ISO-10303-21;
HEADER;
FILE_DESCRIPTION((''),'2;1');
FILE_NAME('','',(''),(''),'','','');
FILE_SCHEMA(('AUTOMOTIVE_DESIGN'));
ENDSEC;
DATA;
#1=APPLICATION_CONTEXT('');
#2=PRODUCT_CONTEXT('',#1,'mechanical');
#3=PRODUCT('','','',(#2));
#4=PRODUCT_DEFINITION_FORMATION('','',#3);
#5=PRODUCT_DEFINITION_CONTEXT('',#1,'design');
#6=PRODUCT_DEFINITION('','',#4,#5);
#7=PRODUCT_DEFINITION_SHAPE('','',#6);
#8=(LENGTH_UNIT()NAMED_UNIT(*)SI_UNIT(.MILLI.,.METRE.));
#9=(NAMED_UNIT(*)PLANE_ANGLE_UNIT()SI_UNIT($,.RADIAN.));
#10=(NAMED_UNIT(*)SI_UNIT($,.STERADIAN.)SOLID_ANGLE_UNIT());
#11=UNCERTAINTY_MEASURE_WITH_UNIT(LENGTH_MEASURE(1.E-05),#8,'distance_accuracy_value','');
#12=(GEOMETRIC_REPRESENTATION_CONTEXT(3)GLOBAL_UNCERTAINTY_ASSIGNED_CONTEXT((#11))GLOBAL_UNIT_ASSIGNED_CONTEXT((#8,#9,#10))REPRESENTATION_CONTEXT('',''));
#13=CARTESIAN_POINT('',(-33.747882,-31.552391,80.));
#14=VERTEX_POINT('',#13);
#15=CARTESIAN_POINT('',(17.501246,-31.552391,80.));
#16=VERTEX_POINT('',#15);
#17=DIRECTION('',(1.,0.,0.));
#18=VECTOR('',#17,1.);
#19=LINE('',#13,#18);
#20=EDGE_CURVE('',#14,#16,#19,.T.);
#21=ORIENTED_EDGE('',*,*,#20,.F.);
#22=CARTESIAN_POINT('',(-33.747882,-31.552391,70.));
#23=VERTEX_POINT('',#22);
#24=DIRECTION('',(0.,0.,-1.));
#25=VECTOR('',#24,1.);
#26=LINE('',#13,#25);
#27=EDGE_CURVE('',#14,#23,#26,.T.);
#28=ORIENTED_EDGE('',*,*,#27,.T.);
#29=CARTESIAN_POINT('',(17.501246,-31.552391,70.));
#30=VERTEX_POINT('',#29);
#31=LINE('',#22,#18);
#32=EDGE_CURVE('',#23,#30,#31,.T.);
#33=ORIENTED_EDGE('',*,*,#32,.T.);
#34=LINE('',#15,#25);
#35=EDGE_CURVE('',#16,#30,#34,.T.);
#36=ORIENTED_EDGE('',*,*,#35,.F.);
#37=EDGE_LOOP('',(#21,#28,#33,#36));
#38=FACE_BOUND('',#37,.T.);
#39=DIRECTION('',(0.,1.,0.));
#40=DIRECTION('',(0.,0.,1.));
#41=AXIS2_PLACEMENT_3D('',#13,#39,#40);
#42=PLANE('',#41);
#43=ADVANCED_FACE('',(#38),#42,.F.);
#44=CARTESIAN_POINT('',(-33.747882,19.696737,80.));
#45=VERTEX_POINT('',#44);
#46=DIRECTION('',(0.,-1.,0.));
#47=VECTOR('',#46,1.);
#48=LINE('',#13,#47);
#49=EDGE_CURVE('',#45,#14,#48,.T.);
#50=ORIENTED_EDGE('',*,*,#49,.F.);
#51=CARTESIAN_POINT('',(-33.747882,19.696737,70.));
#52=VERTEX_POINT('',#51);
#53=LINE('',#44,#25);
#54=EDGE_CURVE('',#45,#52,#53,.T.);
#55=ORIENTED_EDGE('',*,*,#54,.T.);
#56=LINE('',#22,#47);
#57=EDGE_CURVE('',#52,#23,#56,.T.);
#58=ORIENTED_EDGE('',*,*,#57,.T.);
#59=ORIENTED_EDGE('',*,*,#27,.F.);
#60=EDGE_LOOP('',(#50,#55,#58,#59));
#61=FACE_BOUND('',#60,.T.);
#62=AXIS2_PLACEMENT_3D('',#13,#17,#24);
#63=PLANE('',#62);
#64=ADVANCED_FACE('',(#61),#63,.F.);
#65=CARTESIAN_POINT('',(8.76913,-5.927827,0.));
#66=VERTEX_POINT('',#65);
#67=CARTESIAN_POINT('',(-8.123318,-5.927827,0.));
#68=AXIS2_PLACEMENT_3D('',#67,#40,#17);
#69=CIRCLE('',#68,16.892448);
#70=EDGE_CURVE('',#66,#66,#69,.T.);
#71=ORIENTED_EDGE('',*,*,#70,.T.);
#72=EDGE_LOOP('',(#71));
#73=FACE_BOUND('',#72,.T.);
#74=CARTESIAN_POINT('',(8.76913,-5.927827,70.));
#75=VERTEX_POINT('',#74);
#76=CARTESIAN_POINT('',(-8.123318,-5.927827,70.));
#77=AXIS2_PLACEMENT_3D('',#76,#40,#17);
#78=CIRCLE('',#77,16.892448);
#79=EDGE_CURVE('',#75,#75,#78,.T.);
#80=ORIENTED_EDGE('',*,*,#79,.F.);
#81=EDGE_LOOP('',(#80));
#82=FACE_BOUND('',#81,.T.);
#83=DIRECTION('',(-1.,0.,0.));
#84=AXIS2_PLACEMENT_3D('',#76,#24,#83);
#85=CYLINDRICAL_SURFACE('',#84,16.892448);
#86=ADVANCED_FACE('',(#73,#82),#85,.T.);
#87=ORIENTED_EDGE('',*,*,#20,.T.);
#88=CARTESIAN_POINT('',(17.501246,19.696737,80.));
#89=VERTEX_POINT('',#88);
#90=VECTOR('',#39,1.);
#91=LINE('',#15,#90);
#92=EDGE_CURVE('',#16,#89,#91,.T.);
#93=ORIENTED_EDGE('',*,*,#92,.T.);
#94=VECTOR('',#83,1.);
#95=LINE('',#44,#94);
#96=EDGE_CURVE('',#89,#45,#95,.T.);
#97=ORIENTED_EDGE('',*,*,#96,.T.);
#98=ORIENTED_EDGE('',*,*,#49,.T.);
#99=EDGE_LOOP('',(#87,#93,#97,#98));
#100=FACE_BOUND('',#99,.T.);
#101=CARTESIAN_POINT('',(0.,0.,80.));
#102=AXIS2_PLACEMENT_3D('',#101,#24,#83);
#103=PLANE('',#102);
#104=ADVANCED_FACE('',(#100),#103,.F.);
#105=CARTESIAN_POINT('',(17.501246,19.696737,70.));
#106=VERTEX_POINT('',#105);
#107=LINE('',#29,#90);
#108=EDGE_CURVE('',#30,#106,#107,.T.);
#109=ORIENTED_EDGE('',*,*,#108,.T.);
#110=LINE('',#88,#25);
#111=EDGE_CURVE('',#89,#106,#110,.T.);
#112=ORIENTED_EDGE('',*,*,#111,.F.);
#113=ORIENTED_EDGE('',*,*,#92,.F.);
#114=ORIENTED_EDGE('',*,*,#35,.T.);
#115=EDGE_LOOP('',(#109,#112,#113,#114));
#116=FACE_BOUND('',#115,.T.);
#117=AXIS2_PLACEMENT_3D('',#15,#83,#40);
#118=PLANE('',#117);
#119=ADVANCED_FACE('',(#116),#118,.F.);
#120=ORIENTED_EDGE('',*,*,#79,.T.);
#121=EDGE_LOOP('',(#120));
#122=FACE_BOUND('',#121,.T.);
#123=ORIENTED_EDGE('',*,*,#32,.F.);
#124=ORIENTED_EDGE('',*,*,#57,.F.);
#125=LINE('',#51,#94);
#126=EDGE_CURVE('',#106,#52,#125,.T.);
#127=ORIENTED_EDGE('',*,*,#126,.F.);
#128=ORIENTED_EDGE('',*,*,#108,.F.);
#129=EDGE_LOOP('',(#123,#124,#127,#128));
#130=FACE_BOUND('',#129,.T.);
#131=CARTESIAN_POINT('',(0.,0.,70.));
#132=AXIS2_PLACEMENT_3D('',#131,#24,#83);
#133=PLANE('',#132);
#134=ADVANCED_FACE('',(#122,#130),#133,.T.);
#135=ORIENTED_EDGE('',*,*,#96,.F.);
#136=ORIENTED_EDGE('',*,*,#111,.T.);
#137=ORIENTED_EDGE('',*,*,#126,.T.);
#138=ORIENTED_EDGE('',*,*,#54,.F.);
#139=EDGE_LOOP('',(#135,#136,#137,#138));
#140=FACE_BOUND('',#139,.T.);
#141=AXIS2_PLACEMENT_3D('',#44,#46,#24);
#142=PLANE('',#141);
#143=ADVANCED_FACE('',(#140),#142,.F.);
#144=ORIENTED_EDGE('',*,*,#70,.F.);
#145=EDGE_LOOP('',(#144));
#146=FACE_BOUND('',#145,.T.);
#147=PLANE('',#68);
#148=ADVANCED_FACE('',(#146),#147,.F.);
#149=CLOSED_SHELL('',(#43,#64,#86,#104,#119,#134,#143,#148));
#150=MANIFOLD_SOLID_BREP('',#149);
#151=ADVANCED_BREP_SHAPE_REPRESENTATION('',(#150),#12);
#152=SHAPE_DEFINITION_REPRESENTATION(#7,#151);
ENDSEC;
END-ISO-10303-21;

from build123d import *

# Parameters (mm, degrees)
SKETCH1_R           = 16.892448346
BOSS_EXTRUDE1_DEPTH = 70
SKETCH2_W           = 51.249127752
SKETCH2_H           = 51.249127751
BOSS_EXTRUDE2_DEPTH = 10


with BuildPart() as part:
    # Sketch1 → Boss-Extrude1 (new body)
    with BuildSketch(Plane.XY):
        with Locations((-8.123318292, -5.927826862)):
            Circle(SKETCH1_R)
    extrude(amount=BOSS_EXTRUDE1_DEPTH)

    # Sketch2 → Boss-Extrude2 (add)
    with BuildSketch(Plane.XY.offset(70)):
        with Locations((-8.123318292, -5.927826862)):
            Rectangle(SKETCH2_W, SKETCH2_H)
    extrude(amount=BOSS_EXTRUDE2_DEPTH)


solid = part.part
